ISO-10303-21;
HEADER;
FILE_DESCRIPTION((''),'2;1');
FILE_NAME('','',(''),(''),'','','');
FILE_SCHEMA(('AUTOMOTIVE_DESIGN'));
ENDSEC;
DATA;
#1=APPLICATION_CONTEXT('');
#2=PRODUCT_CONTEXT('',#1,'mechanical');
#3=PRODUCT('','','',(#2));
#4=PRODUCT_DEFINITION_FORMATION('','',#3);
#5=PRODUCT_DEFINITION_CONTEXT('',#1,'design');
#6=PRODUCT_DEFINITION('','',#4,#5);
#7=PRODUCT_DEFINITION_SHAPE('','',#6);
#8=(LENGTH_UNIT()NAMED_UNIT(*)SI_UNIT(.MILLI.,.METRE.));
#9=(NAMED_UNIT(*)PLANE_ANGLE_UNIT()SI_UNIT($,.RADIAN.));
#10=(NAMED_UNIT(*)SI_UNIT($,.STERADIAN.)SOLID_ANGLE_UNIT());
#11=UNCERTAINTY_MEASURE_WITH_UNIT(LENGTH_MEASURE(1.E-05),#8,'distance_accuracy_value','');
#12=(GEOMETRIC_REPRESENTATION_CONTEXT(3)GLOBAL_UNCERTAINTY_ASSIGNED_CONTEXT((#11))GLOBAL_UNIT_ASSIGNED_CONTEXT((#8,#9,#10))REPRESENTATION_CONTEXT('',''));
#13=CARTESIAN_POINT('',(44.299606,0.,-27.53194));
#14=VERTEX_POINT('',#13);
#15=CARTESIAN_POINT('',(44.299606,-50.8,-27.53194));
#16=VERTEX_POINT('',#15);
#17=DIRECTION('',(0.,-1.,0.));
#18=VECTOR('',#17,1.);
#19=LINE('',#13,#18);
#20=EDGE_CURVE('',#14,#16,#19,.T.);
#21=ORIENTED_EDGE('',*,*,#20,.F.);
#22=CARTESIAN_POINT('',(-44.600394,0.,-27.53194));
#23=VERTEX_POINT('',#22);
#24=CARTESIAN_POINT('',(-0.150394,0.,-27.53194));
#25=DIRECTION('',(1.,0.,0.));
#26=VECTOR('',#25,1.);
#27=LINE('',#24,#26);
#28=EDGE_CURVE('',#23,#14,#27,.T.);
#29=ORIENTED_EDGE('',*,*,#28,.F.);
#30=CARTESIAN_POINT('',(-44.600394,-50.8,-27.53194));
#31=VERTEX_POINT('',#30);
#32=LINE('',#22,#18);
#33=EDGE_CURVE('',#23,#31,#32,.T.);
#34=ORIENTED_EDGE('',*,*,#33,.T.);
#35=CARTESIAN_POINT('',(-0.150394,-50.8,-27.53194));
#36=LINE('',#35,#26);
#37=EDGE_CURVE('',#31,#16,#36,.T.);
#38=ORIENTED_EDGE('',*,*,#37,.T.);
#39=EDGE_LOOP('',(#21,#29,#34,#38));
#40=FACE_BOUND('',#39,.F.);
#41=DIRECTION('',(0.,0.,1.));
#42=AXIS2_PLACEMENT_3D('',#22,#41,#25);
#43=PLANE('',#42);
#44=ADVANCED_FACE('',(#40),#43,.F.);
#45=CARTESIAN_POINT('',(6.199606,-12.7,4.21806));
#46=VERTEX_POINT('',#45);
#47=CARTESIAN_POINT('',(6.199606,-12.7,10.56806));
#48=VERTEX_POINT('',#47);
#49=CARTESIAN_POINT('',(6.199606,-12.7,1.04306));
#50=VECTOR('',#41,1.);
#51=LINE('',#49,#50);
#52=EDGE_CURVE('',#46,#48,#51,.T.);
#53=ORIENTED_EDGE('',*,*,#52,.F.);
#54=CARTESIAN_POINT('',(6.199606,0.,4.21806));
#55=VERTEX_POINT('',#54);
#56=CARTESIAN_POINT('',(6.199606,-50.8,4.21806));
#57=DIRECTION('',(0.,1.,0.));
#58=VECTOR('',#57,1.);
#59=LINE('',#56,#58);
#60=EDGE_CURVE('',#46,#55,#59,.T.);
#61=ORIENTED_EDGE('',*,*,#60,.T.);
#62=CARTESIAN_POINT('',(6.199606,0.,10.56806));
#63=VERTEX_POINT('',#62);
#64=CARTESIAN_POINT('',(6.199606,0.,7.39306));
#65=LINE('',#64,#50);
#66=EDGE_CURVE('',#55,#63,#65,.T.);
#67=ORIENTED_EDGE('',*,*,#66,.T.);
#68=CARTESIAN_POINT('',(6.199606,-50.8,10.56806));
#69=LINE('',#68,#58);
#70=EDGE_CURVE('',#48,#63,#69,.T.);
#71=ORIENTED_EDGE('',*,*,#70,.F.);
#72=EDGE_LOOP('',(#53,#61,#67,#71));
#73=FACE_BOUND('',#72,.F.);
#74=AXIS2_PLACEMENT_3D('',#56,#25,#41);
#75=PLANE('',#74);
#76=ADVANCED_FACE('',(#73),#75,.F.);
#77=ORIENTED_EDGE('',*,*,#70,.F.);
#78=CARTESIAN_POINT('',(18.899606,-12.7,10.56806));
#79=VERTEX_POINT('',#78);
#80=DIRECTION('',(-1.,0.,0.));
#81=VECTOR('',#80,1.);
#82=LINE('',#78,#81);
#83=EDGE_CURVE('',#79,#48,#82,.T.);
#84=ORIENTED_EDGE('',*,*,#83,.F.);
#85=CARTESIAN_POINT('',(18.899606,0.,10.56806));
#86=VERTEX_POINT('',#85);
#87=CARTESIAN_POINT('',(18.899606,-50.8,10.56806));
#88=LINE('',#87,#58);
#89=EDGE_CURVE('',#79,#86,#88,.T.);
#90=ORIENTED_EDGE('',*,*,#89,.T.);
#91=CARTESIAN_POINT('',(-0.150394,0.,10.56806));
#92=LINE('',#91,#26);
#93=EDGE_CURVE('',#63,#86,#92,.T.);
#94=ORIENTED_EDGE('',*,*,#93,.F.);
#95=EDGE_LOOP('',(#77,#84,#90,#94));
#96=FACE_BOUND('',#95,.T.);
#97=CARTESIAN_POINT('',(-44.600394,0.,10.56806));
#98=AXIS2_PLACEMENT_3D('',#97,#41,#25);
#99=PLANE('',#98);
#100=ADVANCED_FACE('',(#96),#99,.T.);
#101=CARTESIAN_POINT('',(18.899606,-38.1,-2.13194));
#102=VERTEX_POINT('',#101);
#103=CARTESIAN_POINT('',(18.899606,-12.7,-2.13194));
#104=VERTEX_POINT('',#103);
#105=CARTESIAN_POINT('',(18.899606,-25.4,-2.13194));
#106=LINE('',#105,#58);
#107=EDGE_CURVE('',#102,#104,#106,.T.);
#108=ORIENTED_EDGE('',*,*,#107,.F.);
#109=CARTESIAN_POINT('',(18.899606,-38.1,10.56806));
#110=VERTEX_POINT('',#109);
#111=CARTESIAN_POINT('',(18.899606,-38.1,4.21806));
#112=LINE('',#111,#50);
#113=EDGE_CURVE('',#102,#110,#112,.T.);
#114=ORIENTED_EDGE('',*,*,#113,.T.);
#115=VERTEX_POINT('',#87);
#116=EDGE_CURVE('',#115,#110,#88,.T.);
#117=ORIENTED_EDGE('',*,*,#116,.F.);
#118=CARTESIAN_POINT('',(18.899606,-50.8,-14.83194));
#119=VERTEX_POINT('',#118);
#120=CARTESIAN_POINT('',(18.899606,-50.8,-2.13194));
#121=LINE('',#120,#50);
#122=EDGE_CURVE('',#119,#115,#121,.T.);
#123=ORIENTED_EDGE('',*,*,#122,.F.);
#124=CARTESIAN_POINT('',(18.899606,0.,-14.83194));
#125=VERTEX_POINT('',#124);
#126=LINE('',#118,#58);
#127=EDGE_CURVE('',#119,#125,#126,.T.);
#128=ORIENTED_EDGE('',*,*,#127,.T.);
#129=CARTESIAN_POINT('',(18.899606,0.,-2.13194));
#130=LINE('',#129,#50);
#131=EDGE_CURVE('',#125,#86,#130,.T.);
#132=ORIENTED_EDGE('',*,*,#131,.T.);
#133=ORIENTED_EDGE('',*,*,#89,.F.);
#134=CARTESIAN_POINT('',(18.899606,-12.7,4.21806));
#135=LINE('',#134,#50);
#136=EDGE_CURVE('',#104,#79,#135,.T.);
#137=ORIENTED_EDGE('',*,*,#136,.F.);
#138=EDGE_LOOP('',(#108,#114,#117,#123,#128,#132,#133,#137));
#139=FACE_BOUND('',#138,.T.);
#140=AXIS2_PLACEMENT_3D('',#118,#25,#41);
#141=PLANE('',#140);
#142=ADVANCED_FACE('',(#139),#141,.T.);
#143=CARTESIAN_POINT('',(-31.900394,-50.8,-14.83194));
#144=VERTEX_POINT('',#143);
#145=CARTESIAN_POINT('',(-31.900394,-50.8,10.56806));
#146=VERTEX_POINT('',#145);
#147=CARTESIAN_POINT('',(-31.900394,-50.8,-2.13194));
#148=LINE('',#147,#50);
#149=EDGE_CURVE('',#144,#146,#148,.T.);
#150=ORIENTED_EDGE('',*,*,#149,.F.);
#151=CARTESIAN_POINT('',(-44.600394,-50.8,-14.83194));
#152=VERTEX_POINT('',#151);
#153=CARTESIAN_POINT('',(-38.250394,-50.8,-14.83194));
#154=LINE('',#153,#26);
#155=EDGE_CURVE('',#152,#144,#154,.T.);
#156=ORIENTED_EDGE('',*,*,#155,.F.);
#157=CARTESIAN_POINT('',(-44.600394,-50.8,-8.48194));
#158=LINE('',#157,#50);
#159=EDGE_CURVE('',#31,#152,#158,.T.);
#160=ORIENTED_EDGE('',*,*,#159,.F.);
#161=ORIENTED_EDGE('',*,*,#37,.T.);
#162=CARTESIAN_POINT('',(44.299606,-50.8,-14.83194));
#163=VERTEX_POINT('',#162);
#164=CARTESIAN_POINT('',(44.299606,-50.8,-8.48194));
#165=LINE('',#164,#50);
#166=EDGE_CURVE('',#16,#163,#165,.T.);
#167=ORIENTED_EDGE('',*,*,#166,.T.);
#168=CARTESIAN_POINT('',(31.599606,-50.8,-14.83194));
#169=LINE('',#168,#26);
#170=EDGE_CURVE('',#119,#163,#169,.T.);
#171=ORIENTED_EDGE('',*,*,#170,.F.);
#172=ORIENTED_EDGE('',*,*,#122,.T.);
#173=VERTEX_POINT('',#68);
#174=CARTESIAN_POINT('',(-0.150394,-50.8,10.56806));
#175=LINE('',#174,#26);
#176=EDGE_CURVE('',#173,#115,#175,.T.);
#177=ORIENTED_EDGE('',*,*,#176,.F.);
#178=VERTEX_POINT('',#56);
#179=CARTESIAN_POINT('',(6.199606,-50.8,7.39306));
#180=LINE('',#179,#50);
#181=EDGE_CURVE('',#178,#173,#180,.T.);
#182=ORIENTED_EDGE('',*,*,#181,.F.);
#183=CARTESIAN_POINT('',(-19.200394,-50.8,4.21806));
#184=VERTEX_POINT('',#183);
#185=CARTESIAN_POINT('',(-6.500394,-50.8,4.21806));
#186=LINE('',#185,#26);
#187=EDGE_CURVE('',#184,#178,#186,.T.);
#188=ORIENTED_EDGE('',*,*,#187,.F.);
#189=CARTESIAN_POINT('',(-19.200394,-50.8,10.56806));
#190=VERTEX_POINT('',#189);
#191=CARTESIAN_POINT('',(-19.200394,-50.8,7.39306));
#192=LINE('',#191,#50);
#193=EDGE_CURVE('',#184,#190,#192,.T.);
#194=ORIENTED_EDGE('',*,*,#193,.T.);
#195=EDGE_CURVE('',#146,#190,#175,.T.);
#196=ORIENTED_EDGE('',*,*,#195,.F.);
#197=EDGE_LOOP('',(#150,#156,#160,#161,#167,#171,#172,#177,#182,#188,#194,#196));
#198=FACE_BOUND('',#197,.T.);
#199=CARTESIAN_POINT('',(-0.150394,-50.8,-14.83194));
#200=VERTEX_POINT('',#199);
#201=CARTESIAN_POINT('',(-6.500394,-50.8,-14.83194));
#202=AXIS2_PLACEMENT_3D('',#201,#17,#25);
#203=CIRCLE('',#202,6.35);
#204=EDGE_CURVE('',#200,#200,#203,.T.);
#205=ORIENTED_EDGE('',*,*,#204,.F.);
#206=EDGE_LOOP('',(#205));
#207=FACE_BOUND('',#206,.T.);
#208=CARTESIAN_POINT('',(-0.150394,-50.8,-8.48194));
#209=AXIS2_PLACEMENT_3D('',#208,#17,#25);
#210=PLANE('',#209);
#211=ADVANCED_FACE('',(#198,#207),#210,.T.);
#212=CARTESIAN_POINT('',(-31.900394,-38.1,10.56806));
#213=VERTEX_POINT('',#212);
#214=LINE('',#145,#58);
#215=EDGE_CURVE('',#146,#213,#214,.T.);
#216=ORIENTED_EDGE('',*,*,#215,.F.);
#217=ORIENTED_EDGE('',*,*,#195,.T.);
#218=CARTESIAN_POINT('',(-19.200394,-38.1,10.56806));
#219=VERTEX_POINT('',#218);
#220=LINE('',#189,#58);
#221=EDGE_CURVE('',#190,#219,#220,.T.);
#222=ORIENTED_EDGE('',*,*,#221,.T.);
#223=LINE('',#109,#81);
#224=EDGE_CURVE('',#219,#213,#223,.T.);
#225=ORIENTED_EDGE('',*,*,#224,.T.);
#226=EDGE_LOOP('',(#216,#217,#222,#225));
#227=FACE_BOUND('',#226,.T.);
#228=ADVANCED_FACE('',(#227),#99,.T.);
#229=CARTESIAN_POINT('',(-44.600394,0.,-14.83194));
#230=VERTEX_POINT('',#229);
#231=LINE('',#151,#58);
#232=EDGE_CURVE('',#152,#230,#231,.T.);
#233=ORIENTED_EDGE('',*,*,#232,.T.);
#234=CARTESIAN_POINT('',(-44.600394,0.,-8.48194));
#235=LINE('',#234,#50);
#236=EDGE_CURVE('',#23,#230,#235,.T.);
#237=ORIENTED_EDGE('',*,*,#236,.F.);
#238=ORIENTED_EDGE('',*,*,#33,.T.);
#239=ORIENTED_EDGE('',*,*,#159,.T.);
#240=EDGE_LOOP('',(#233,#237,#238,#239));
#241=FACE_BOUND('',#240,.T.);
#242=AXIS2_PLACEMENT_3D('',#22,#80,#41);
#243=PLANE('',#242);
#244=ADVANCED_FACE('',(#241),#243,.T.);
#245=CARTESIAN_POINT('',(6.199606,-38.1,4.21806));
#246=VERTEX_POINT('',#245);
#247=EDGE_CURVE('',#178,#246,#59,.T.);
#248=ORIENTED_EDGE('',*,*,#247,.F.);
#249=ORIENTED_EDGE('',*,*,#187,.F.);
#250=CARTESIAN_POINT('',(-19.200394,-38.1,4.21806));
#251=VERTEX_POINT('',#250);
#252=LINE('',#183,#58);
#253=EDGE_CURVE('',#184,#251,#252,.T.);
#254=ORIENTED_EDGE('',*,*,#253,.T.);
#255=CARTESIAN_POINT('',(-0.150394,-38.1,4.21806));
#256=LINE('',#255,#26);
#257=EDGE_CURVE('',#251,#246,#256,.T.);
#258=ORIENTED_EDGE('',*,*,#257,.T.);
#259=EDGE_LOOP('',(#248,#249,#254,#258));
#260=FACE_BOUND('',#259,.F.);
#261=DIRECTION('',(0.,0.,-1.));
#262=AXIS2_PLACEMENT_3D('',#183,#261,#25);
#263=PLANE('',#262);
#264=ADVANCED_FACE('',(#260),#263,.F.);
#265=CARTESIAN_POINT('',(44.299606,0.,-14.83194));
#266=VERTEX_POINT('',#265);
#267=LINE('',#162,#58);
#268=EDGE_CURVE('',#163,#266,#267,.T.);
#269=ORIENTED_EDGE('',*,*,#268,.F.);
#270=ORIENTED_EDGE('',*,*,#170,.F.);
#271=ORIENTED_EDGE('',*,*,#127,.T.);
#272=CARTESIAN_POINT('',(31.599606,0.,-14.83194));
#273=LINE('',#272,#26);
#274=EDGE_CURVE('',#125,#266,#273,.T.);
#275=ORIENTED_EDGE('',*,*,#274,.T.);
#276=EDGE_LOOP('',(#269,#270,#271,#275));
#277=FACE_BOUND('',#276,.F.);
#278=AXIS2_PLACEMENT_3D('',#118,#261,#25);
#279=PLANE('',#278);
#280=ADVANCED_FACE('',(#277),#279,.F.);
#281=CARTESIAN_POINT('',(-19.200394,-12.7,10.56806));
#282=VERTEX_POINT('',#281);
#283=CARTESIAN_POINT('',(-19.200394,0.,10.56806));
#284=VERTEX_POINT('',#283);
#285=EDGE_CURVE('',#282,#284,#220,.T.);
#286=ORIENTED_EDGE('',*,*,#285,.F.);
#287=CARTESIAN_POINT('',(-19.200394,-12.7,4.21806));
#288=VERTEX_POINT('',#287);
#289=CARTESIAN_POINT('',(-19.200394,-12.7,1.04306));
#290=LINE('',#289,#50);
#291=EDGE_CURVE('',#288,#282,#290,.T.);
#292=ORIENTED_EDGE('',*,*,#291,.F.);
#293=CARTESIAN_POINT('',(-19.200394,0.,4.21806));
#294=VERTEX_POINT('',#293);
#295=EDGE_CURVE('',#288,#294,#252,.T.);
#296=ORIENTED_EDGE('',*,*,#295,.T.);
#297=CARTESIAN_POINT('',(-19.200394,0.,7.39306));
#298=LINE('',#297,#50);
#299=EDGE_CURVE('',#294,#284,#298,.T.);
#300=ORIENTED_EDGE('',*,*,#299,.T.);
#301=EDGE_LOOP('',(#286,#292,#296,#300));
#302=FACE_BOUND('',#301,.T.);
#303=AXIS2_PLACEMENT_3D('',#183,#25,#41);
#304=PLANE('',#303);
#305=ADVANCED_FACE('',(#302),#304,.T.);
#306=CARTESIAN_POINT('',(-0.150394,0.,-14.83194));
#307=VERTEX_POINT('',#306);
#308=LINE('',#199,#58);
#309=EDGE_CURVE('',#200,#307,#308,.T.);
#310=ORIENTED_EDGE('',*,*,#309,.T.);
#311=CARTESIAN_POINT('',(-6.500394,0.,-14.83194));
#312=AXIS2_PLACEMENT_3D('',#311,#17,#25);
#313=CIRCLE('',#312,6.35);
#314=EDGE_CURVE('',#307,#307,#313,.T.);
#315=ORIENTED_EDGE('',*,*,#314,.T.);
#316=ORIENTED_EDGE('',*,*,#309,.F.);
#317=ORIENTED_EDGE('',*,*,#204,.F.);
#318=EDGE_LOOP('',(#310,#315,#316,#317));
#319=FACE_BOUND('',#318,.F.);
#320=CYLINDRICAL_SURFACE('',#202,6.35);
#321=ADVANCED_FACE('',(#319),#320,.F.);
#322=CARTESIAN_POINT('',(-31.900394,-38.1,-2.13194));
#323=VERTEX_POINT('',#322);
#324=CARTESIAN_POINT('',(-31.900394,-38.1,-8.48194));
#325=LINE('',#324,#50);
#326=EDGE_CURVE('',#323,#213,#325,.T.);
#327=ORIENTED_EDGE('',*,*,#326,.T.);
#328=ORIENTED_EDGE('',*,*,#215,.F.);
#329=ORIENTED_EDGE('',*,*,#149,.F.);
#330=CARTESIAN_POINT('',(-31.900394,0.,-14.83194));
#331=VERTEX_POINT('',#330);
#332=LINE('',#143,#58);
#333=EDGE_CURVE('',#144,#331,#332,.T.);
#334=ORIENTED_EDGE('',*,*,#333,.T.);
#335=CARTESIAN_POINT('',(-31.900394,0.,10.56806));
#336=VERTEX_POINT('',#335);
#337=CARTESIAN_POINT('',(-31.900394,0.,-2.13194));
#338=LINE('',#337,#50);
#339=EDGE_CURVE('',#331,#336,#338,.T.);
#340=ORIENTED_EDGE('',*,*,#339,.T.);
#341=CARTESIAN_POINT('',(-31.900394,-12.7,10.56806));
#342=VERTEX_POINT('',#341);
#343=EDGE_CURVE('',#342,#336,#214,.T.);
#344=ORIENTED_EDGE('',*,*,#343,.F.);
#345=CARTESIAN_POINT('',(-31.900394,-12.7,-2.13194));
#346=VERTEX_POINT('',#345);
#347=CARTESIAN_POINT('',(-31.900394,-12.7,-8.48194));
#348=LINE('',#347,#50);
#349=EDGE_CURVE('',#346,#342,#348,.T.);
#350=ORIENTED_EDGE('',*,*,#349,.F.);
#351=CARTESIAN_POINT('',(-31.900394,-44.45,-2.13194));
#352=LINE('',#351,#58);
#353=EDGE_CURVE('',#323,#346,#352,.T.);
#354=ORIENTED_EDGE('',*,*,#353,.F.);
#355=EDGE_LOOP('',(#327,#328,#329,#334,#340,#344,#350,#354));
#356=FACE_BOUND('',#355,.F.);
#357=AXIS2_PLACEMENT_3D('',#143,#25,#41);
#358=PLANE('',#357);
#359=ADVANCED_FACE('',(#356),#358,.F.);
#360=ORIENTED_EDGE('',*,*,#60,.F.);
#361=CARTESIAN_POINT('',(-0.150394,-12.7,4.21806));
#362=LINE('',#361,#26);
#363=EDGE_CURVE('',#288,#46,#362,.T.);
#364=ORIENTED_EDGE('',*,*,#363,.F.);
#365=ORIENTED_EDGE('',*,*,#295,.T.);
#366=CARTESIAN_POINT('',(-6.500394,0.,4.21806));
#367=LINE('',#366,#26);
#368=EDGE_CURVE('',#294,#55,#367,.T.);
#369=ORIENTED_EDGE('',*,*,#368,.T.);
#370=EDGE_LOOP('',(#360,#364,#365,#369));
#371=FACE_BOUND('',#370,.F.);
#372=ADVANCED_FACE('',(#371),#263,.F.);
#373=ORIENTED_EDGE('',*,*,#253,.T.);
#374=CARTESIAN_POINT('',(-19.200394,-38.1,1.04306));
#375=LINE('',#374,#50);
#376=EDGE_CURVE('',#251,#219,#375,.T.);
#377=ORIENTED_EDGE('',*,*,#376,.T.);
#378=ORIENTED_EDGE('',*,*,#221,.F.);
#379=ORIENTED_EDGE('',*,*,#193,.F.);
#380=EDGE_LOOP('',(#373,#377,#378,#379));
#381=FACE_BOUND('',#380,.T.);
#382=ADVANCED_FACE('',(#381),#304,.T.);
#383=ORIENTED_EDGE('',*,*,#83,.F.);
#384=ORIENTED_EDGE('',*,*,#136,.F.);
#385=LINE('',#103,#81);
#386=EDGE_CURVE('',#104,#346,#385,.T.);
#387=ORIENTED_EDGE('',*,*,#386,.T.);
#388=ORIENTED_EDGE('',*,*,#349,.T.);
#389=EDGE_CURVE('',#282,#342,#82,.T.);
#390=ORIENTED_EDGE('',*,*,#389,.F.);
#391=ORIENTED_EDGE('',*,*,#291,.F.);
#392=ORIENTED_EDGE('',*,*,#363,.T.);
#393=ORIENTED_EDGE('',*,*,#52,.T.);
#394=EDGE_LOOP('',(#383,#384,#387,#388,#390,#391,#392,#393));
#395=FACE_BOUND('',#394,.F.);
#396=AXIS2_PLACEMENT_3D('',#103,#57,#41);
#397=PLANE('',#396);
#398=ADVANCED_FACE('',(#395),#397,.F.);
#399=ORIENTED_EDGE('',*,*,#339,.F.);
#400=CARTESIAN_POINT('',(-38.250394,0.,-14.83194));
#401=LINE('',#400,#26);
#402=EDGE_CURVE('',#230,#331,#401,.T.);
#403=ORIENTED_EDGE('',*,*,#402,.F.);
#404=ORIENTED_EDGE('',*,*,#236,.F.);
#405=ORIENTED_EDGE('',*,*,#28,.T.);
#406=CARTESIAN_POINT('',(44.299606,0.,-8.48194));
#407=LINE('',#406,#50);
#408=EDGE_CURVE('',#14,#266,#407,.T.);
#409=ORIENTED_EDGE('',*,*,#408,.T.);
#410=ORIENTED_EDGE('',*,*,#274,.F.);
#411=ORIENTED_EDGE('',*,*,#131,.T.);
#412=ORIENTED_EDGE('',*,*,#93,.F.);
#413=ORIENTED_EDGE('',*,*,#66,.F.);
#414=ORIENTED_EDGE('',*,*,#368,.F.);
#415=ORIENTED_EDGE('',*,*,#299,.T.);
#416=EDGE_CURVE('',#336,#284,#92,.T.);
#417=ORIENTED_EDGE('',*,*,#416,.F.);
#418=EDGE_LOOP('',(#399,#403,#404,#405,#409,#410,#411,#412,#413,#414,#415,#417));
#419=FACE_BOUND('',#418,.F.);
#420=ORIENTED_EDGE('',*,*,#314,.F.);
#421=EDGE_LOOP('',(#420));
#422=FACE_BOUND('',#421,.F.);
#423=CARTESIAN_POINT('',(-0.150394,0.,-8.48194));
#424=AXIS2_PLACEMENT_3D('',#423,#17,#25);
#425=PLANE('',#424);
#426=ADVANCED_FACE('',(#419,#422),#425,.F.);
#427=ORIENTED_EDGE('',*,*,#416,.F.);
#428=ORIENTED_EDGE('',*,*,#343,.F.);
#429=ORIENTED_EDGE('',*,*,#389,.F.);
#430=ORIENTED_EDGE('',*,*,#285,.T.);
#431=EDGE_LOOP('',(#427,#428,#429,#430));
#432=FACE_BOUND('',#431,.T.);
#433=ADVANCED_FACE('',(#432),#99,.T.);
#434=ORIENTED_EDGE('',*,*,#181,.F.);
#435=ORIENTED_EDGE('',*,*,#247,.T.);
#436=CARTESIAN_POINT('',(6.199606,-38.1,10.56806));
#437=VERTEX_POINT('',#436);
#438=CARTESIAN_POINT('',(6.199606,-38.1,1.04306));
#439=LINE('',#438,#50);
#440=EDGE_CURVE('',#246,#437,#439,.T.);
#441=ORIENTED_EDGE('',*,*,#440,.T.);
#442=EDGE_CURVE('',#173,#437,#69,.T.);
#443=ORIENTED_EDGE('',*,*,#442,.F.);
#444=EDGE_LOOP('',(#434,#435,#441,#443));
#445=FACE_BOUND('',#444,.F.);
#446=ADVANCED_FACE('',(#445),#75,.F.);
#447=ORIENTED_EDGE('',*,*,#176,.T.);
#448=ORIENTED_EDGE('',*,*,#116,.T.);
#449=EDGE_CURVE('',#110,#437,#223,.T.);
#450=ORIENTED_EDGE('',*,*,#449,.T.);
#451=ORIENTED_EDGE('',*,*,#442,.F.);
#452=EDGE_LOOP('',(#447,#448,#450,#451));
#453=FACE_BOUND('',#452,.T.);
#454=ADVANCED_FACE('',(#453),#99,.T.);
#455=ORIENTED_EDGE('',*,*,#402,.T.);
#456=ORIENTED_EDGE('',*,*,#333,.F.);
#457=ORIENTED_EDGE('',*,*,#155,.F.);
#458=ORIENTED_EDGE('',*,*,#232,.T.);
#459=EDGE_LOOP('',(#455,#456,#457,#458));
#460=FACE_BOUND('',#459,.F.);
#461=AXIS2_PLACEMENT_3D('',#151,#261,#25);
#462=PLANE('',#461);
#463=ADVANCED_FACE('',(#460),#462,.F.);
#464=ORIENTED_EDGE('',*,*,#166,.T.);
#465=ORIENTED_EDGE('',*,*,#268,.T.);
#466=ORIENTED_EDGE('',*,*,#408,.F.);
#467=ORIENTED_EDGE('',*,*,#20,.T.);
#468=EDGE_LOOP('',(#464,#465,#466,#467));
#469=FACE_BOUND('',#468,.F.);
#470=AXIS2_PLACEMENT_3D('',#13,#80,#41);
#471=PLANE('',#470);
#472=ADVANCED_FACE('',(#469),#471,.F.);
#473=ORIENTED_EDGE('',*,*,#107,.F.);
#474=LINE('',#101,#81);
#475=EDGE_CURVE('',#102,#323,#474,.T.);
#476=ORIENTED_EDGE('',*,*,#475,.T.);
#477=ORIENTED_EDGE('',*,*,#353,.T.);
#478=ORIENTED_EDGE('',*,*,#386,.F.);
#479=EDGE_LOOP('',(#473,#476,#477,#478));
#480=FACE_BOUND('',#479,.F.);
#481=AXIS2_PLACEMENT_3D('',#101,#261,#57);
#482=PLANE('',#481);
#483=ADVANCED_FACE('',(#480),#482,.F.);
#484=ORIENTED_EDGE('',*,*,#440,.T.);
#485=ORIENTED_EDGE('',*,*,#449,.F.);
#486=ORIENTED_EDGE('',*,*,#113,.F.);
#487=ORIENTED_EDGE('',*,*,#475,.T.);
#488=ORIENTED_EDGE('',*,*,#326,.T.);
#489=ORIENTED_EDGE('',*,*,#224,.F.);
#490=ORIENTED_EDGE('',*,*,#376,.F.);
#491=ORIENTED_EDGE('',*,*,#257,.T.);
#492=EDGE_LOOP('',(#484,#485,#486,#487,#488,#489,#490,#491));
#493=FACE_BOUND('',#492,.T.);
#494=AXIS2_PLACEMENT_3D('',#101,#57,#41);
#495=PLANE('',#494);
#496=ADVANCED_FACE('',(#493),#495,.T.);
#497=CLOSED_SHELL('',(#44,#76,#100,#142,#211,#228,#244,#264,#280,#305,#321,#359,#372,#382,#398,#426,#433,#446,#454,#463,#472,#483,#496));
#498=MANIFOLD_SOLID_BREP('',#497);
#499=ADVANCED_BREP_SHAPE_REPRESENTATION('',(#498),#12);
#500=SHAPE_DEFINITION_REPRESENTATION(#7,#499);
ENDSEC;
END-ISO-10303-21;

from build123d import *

# Parameters (mm, degrees)
F0_W      = 88.9
F0_H      = 38.1
F1_DEPTH  = 50.8
F2_W      = 12.7
F2_H      = 25.4
F3_DEPTH  = 50.8
F4_W      = 25.4
F4_H      = 6.35
F5_DEPTH  = 50.8
F6_W      = 25.4
F6_H      = 25.4
F7_DEPTH  = 50.8
F8_W      = 25.4
F8_H      = 12.7
F9_DEPTH  = 88.9
F10_R     = 6.35
F11_DEPTH = 50.8


with BuildPart() as f1:
    # F0 (on Front) → F1 (new body)
    with BuildSketch(Plane.XZ):
        with Locations((-0.150394, -8.48194)):
            Rectangle(F0_W, F0_H)
    extrude(amount=F1_DEPTH)

    # F2 (on face) → F3 (cut)
    with BuildSketch(Plane.XZ.offset(50.8)):
        with Locations((-38.250394, -2.13194)):
            Rectangle(F2_W, F2_H)
    extrude(amount=-F3_DEPTH, mode=Mode.SUBTRACT)

    # F4 (on face) → F5 (cut)
    with BuildSketch(Plane.XZ.offset(50.8)):
        with Locations((-6.500394, 7.39306)):
            Rectangle(F4_W, F4_H)
    extrude(amount=-F5_DEPTH, mode=Mode.SUBTRACT)

    # F6 (on face) → F7 (cut)
    with BuildSketch(Plane.XZ.offset(50.8)):
        with Locations((31.599606, -2.13194)):
            Rectangle(F6_W, F6_H)
    extrude(amount=-F7_DEPTH, mode=Mode.SUBTRACT)

    # F8 (on face) → F9 (cut)
    with BuildSketch(Plane.YZ.offset(18.899606)):
        with Locations((-25.4, 4.21806)):
            Rectangle(F8_W, F8_H)
    extrude(amount=-F9_DEPTH, mode=Mode.SUBTRACT)

    # F10 (on face) → F11 (cut)
    with BuildSketch(Plane.XZ.offset(50.8)):
        with Locations((-6.500394, -14.83194)):
            Circle(F10_R)
    extrude(amount=-F11_DEPTH, mode=Mode.SUBTRACT)


solid = f1.part
